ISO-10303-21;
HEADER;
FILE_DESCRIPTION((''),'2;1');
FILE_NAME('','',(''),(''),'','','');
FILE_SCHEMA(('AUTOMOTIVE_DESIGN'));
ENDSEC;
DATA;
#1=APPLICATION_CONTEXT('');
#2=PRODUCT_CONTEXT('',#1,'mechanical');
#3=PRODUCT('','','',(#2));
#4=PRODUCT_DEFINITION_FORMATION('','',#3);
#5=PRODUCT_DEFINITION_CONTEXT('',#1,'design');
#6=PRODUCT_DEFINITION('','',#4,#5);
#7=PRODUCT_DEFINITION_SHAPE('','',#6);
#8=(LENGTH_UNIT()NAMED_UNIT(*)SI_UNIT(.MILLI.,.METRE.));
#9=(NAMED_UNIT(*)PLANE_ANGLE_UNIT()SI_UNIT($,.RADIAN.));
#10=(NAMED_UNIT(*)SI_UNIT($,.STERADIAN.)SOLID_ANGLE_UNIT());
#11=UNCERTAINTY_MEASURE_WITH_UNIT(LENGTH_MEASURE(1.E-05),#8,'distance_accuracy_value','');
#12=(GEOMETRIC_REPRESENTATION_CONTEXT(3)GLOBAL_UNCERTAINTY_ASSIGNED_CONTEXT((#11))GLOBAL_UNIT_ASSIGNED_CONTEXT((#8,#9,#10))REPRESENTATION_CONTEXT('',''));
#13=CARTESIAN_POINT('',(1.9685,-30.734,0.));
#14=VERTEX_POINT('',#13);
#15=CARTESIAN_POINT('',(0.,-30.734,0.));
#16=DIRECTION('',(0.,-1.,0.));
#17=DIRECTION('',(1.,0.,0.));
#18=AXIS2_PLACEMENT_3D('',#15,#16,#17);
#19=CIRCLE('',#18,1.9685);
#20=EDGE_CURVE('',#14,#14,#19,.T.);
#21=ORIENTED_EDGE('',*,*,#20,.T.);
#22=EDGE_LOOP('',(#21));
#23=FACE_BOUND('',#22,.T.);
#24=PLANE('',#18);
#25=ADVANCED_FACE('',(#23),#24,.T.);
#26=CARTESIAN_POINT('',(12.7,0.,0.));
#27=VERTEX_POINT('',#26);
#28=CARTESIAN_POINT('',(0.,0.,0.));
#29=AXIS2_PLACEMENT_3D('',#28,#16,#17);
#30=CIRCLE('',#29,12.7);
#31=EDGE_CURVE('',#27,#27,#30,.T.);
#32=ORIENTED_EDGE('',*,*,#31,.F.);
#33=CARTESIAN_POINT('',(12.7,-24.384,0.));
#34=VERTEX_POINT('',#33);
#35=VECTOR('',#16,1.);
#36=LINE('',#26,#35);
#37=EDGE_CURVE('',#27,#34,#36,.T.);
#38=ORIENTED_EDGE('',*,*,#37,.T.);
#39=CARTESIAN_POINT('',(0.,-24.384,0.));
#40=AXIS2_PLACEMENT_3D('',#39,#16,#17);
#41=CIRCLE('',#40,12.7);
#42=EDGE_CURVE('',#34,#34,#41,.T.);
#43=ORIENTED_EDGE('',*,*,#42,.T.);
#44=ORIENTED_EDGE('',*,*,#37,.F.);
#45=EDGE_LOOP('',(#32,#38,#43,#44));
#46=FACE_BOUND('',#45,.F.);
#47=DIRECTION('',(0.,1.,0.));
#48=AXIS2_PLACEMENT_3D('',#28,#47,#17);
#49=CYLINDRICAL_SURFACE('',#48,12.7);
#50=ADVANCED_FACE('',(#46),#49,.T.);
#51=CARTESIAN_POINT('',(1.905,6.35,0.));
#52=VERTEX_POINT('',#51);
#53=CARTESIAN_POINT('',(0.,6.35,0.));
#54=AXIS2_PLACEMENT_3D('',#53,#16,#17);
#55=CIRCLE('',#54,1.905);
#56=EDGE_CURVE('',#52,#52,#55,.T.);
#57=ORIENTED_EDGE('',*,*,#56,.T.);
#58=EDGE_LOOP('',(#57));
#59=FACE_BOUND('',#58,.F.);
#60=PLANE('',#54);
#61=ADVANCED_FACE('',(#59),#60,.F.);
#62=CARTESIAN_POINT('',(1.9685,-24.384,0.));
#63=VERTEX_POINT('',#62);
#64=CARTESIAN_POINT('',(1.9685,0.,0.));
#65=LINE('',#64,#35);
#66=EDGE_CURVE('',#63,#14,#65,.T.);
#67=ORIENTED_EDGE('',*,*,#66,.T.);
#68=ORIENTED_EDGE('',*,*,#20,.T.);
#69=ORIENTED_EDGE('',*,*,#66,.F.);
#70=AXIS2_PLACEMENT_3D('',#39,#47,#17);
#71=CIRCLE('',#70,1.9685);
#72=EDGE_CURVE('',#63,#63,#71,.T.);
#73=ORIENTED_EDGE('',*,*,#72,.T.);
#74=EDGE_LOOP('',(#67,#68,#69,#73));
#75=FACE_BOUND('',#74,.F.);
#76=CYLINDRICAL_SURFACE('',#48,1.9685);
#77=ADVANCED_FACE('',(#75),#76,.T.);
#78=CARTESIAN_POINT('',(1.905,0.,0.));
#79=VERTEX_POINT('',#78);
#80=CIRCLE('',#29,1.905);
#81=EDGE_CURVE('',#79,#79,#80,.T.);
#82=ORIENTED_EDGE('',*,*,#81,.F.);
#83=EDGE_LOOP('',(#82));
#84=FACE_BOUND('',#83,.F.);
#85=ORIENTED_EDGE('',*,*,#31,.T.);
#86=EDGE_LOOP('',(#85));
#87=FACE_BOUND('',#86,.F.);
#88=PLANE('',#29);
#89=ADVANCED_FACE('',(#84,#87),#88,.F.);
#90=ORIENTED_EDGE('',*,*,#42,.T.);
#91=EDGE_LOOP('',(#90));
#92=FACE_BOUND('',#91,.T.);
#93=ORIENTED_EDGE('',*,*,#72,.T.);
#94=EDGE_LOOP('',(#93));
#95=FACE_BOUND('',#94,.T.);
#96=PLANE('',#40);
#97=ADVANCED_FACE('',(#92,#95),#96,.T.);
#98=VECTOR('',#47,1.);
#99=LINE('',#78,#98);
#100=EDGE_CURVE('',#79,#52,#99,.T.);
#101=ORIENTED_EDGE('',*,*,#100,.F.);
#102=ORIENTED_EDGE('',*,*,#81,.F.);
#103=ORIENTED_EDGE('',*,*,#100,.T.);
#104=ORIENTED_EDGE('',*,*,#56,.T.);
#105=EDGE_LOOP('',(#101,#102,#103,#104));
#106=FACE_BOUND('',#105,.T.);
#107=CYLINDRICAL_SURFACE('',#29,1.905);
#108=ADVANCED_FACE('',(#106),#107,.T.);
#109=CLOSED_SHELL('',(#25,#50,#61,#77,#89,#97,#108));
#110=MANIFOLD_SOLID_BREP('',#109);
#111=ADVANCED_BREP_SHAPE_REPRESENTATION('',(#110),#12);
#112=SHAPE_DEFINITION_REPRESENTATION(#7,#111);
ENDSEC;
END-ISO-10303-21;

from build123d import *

# Parameters (mm, degrees)
F0_R     = 12.7
F1_DEPTH = 24.384
F2_R     = 1.9685
F3_DEPTH = 30.734
F4_R     = 1.905
F5_DEPTH = 6.35


with BuildPart() as f1:
    # F0 (on Front) → F1 (new body)
    with BuildSketch(Plane.XZ):
        Circle(F0_R)
    extrude(amount=F1_DEPTH)

    # F2 (on Front) → F3 (join)
    with BuildSketch(Plane.XZ):
        Circle(F2_R)
    extrude(amount=F3_DEPTH)

    # F4 (on Front) → F5 (join)
    with BuildSketch(Plane.XZ):
        Circle(F4_R)
    extrude(amount=-F5_DEPTH)


solid = f1.part
